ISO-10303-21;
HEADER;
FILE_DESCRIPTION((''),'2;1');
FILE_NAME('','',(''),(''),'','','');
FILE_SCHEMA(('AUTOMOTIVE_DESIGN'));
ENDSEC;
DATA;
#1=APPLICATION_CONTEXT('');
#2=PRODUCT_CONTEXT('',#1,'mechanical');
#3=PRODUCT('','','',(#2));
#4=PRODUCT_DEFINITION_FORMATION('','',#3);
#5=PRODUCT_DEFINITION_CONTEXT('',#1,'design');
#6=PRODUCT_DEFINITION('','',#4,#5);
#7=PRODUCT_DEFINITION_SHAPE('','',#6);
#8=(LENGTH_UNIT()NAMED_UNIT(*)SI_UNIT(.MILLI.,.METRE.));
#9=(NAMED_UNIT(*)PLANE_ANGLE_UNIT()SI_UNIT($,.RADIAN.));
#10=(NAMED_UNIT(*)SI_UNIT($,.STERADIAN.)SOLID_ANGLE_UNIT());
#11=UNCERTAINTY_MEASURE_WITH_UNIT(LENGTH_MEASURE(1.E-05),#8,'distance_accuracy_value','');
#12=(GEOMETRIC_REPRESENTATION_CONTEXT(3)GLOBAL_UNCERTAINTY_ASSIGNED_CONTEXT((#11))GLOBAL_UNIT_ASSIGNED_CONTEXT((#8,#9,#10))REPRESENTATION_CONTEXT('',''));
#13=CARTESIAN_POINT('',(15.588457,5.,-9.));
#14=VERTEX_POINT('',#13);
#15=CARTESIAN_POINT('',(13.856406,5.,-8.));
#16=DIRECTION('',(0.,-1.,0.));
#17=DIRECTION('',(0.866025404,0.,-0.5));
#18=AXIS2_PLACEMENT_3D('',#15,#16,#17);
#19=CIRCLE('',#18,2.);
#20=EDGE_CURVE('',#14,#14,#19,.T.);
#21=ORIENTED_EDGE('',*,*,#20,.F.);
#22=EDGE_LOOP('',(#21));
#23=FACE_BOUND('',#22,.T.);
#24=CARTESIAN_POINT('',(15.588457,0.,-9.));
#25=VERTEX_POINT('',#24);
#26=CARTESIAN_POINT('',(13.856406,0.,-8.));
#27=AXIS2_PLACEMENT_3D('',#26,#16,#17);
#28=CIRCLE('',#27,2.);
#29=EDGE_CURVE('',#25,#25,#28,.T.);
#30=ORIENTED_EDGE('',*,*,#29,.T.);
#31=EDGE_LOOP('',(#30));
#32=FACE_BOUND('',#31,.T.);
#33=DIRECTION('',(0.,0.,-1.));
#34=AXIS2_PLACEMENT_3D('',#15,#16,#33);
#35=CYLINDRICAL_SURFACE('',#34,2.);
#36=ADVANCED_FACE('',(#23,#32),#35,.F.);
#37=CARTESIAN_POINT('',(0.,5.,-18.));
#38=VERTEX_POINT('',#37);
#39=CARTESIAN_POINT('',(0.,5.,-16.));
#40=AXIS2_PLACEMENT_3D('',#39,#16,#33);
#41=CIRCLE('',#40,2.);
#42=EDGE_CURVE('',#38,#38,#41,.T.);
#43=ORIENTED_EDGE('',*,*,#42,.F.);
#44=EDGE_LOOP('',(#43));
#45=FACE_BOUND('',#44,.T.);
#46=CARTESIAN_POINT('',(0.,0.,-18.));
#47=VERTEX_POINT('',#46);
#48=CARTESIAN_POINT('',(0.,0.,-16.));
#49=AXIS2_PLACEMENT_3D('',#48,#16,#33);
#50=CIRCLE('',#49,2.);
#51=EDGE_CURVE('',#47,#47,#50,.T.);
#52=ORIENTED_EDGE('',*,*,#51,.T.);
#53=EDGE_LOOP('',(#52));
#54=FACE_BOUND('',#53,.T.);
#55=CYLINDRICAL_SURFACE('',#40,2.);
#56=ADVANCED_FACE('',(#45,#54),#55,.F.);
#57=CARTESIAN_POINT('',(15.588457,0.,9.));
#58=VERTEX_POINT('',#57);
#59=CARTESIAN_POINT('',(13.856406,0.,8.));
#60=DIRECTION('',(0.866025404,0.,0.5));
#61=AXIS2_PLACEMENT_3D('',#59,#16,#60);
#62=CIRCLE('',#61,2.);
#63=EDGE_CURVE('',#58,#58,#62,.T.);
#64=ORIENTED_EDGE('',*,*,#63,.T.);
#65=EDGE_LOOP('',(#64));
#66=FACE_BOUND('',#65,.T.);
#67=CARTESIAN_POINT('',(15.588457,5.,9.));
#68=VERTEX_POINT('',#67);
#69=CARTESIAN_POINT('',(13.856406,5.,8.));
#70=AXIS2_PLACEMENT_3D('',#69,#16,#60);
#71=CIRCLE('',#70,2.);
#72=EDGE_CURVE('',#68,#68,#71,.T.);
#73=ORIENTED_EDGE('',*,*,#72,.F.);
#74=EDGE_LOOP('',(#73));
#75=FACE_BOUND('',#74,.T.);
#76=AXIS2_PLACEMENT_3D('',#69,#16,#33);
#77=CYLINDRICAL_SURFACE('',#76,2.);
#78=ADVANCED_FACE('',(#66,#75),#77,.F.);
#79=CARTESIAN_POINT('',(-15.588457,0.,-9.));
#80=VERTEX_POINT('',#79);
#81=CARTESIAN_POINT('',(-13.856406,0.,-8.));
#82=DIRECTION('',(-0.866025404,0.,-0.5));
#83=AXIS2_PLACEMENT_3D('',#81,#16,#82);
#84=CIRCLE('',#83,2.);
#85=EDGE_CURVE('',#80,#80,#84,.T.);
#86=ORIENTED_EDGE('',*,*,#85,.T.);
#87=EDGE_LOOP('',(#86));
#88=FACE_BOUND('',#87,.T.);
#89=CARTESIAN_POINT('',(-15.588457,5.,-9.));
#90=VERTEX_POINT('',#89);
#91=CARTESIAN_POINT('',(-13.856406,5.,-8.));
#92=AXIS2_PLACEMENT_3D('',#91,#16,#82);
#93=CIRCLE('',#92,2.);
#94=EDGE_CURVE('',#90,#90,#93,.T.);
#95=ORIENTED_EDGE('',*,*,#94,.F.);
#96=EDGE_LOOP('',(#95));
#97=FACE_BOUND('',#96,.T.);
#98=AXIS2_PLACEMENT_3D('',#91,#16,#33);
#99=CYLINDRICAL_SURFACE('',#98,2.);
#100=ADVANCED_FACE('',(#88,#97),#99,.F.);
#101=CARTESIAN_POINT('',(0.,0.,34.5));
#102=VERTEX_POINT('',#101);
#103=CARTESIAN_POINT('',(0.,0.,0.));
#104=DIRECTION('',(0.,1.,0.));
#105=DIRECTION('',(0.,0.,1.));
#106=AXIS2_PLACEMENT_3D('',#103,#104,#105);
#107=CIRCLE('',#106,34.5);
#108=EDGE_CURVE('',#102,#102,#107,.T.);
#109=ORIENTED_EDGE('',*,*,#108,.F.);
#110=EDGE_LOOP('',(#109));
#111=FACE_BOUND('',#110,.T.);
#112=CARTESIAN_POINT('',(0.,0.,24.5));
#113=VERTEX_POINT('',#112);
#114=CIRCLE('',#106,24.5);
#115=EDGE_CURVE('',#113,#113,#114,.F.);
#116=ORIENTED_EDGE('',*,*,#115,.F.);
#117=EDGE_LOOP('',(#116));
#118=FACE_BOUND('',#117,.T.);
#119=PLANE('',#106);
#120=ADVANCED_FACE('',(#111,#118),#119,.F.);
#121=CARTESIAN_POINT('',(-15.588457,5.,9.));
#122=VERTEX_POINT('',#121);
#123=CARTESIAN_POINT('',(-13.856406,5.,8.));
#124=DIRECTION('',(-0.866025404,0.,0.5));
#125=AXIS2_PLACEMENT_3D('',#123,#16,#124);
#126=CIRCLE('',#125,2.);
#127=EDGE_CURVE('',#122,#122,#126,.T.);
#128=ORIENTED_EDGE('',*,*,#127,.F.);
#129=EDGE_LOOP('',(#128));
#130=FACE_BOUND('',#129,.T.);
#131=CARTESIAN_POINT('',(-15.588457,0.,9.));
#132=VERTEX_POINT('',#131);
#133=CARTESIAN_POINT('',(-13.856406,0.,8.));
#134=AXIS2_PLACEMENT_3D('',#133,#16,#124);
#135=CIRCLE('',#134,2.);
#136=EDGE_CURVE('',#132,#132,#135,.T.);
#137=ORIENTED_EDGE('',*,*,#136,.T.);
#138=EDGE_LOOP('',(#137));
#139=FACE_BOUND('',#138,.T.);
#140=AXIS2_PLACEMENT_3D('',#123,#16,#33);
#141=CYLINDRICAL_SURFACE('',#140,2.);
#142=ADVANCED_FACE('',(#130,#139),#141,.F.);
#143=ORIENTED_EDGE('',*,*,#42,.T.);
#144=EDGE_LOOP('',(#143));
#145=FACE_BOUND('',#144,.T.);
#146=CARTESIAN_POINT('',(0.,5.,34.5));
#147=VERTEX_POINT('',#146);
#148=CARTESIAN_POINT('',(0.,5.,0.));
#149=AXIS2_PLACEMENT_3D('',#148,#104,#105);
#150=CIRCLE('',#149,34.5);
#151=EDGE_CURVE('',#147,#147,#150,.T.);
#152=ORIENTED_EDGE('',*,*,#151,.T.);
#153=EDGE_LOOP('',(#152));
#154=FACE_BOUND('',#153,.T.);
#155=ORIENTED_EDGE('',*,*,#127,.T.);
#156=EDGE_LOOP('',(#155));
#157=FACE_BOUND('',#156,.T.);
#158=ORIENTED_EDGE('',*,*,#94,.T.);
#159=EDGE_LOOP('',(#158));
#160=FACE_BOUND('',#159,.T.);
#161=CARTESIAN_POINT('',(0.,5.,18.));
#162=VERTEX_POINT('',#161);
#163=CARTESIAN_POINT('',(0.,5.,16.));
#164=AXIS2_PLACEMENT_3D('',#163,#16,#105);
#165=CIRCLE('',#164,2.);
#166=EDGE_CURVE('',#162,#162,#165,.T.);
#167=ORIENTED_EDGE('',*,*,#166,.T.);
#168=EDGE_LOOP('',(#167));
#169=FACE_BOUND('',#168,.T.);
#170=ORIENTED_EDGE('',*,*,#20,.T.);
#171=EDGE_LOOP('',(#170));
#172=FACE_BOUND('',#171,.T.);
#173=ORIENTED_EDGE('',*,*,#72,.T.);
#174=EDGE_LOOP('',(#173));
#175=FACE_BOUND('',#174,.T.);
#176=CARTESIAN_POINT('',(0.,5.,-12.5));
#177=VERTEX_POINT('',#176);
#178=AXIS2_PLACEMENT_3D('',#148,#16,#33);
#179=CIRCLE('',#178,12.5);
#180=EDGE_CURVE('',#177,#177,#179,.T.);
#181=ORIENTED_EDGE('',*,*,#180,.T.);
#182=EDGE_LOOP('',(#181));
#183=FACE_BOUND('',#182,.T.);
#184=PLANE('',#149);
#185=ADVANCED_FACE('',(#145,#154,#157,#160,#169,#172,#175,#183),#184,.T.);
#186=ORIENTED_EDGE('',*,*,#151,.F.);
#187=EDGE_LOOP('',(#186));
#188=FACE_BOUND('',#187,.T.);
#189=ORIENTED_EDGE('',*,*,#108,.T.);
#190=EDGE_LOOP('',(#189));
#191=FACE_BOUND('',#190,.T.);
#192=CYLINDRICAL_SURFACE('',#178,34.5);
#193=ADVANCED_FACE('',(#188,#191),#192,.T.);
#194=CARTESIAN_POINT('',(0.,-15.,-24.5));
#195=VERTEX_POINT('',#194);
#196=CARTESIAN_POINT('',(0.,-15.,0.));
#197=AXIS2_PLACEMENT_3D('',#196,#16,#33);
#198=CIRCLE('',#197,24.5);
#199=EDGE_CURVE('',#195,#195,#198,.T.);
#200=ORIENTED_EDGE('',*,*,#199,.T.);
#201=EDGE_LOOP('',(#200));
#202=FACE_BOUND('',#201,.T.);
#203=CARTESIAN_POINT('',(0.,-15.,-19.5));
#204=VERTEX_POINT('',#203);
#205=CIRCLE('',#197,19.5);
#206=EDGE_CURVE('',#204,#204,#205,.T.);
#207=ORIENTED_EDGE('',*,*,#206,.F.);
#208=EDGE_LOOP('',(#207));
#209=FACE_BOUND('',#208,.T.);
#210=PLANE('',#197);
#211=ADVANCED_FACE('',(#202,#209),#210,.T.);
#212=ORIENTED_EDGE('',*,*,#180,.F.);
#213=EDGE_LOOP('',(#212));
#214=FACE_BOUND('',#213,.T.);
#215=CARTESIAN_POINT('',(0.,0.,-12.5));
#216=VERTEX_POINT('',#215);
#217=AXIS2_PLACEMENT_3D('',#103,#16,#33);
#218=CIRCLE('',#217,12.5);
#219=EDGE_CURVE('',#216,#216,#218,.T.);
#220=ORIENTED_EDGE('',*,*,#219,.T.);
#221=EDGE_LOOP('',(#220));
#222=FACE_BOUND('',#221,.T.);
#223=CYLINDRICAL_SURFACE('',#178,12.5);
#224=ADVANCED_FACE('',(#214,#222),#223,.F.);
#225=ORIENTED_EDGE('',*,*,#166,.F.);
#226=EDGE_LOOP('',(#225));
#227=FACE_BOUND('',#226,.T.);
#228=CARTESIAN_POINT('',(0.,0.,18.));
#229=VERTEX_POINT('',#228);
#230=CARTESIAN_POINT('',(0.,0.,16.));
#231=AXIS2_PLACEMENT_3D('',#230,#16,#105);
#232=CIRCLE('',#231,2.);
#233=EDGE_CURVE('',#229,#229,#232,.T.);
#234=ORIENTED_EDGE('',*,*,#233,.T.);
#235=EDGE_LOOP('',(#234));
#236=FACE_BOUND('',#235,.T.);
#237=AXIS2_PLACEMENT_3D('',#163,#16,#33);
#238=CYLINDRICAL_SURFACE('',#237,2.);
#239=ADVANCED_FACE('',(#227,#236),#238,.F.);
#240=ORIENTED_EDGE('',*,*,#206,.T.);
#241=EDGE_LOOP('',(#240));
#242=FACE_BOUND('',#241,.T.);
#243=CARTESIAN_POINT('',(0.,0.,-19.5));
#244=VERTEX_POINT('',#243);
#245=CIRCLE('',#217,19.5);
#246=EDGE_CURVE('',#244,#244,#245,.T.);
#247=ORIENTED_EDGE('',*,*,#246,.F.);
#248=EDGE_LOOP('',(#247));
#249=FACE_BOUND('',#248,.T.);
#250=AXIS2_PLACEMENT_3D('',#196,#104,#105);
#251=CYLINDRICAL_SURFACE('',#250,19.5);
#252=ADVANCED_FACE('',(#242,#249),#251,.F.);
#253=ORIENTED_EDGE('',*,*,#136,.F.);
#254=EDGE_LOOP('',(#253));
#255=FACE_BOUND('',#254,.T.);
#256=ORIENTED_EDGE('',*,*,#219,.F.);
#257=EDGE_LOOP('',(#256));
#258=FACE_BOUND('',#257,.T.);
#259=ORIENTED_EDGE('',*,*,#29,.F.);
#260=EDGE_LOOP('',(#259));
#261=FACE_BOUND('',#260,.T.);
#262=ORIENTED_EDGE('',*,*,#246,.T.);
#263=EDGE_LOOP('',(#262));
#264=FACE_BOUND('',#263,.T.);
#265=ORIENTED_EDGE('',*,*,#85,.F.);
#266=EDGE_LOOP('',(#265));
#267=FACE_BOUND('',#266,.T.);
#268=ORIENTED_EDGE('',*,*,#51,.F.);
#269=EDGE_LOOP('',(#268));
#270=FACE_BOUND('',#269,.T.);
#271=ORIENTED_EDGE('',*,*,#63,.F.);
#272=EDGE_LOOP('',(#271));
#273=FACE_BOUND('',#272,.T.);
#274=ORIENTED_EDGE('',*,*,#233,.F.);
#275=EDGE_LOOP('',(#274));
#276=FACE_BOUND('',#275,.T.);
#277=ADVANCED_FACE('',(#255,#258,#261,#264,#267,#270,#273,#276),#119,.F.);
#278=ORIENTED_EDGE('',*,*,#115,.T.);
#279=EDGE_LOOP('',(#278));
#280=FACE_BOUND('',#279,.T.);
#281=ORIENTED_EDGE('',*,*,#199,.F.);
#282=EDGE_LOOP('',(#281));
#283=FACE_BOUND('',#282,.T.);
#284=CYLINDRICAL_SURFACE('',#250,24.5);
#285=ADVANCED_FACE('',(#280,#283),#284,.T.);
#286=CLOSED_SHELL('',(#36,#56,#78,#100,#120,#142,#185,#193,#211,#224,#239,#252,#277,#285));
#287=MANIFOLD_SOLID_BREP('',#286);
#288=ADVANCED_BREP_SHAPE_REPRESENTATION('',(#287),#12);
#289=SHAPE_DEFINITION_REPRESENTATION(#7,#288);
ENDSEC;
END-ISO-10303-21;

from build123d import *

# Parameters (mm, degrees)
CROQUIS1_R              = 34.5
SALIENTE_EXTRUIR1_DEPTH = 5
CROQUIS2_R              = 24.5
CROQUIS2_R_2            = 19.5
SALIENTE_EXTRUIR2_DEPTH = 15
CROQUIS5_R              = 12.5
CORTAR_EXTRUIR2_DEPTH   = 52.044098582
CROQUIS7_R              = 2
CORTAR_EXTRUIR3_DEPTH   = 52.044098582
MATRIZC1_COUNT          = 6


with BuildPart() as part:
    # Croquis1 → Saliente-Extruir1 (new body)
    with BuildSketch(Plane(origin=(0, 0, 0), x_dir=(1, 0, 0), z_dir=(0, 1, 0))):
        with Locations(Location((0, 0, 0), (0, 0, 270))):
            Circle(CROQUIS1_R)
    extrude(amount=SALIENTE_EXTRUIR1_DEPTH)

    # Croquis2 → Saliente-Extruir2 (add)
    with BuildSketch(Plane.XZ):
        with Locations(Location((0, 0, 0), (0, 0, 90))):
            Circle(CROQUIS2_R)
        with Locations(Location((0, 0, 0), (0, 0, 270))):
            Circle(CROQUIS2_R_2, mode=Mode.SUBTRACT)
    extrude(amount=SALIENTE_EXTRUIR2_DEPTH)

    # Croquis5 → Cortar-Extruir2 (cut, through all)
    with BuildSketch(Plane.XZ):
        with Locations(Location((0, 0, 0), (0, 0, 270))):
            Circle(CROQUIS5_R)
    extrude(amount=-CORTAR_EXTRUIR2_DEPTH, mode=Mode.SUBTRACT)

    # Croquis7 → Cortar-Extruir3 (cut, through all)
    with BuildSketch(Plane.XZ):
        with Locations(Location((0, -16, 0), (0, 0, 270))):
            Circle(CROQUIS7_R)
    cortar_extruir3 = extrude(amount=-CORTAR_EXTRUIR3_DEPTH, mode=Mode.SUBTRACT)

    # MatrizC1: Cortar-Extruir3 ×6 about axis
    matrizc1_axis = Axis((0, 0, 0), (0, 1, 0))
    for i in range(1, MATRIZC1_COUNT):
        add(cortar_extruir3.rotate(matrizc1_axis, i * 360 / MATRIZC1_COUNT), mode=Mode.SUBTRACT)


solid = part.part
